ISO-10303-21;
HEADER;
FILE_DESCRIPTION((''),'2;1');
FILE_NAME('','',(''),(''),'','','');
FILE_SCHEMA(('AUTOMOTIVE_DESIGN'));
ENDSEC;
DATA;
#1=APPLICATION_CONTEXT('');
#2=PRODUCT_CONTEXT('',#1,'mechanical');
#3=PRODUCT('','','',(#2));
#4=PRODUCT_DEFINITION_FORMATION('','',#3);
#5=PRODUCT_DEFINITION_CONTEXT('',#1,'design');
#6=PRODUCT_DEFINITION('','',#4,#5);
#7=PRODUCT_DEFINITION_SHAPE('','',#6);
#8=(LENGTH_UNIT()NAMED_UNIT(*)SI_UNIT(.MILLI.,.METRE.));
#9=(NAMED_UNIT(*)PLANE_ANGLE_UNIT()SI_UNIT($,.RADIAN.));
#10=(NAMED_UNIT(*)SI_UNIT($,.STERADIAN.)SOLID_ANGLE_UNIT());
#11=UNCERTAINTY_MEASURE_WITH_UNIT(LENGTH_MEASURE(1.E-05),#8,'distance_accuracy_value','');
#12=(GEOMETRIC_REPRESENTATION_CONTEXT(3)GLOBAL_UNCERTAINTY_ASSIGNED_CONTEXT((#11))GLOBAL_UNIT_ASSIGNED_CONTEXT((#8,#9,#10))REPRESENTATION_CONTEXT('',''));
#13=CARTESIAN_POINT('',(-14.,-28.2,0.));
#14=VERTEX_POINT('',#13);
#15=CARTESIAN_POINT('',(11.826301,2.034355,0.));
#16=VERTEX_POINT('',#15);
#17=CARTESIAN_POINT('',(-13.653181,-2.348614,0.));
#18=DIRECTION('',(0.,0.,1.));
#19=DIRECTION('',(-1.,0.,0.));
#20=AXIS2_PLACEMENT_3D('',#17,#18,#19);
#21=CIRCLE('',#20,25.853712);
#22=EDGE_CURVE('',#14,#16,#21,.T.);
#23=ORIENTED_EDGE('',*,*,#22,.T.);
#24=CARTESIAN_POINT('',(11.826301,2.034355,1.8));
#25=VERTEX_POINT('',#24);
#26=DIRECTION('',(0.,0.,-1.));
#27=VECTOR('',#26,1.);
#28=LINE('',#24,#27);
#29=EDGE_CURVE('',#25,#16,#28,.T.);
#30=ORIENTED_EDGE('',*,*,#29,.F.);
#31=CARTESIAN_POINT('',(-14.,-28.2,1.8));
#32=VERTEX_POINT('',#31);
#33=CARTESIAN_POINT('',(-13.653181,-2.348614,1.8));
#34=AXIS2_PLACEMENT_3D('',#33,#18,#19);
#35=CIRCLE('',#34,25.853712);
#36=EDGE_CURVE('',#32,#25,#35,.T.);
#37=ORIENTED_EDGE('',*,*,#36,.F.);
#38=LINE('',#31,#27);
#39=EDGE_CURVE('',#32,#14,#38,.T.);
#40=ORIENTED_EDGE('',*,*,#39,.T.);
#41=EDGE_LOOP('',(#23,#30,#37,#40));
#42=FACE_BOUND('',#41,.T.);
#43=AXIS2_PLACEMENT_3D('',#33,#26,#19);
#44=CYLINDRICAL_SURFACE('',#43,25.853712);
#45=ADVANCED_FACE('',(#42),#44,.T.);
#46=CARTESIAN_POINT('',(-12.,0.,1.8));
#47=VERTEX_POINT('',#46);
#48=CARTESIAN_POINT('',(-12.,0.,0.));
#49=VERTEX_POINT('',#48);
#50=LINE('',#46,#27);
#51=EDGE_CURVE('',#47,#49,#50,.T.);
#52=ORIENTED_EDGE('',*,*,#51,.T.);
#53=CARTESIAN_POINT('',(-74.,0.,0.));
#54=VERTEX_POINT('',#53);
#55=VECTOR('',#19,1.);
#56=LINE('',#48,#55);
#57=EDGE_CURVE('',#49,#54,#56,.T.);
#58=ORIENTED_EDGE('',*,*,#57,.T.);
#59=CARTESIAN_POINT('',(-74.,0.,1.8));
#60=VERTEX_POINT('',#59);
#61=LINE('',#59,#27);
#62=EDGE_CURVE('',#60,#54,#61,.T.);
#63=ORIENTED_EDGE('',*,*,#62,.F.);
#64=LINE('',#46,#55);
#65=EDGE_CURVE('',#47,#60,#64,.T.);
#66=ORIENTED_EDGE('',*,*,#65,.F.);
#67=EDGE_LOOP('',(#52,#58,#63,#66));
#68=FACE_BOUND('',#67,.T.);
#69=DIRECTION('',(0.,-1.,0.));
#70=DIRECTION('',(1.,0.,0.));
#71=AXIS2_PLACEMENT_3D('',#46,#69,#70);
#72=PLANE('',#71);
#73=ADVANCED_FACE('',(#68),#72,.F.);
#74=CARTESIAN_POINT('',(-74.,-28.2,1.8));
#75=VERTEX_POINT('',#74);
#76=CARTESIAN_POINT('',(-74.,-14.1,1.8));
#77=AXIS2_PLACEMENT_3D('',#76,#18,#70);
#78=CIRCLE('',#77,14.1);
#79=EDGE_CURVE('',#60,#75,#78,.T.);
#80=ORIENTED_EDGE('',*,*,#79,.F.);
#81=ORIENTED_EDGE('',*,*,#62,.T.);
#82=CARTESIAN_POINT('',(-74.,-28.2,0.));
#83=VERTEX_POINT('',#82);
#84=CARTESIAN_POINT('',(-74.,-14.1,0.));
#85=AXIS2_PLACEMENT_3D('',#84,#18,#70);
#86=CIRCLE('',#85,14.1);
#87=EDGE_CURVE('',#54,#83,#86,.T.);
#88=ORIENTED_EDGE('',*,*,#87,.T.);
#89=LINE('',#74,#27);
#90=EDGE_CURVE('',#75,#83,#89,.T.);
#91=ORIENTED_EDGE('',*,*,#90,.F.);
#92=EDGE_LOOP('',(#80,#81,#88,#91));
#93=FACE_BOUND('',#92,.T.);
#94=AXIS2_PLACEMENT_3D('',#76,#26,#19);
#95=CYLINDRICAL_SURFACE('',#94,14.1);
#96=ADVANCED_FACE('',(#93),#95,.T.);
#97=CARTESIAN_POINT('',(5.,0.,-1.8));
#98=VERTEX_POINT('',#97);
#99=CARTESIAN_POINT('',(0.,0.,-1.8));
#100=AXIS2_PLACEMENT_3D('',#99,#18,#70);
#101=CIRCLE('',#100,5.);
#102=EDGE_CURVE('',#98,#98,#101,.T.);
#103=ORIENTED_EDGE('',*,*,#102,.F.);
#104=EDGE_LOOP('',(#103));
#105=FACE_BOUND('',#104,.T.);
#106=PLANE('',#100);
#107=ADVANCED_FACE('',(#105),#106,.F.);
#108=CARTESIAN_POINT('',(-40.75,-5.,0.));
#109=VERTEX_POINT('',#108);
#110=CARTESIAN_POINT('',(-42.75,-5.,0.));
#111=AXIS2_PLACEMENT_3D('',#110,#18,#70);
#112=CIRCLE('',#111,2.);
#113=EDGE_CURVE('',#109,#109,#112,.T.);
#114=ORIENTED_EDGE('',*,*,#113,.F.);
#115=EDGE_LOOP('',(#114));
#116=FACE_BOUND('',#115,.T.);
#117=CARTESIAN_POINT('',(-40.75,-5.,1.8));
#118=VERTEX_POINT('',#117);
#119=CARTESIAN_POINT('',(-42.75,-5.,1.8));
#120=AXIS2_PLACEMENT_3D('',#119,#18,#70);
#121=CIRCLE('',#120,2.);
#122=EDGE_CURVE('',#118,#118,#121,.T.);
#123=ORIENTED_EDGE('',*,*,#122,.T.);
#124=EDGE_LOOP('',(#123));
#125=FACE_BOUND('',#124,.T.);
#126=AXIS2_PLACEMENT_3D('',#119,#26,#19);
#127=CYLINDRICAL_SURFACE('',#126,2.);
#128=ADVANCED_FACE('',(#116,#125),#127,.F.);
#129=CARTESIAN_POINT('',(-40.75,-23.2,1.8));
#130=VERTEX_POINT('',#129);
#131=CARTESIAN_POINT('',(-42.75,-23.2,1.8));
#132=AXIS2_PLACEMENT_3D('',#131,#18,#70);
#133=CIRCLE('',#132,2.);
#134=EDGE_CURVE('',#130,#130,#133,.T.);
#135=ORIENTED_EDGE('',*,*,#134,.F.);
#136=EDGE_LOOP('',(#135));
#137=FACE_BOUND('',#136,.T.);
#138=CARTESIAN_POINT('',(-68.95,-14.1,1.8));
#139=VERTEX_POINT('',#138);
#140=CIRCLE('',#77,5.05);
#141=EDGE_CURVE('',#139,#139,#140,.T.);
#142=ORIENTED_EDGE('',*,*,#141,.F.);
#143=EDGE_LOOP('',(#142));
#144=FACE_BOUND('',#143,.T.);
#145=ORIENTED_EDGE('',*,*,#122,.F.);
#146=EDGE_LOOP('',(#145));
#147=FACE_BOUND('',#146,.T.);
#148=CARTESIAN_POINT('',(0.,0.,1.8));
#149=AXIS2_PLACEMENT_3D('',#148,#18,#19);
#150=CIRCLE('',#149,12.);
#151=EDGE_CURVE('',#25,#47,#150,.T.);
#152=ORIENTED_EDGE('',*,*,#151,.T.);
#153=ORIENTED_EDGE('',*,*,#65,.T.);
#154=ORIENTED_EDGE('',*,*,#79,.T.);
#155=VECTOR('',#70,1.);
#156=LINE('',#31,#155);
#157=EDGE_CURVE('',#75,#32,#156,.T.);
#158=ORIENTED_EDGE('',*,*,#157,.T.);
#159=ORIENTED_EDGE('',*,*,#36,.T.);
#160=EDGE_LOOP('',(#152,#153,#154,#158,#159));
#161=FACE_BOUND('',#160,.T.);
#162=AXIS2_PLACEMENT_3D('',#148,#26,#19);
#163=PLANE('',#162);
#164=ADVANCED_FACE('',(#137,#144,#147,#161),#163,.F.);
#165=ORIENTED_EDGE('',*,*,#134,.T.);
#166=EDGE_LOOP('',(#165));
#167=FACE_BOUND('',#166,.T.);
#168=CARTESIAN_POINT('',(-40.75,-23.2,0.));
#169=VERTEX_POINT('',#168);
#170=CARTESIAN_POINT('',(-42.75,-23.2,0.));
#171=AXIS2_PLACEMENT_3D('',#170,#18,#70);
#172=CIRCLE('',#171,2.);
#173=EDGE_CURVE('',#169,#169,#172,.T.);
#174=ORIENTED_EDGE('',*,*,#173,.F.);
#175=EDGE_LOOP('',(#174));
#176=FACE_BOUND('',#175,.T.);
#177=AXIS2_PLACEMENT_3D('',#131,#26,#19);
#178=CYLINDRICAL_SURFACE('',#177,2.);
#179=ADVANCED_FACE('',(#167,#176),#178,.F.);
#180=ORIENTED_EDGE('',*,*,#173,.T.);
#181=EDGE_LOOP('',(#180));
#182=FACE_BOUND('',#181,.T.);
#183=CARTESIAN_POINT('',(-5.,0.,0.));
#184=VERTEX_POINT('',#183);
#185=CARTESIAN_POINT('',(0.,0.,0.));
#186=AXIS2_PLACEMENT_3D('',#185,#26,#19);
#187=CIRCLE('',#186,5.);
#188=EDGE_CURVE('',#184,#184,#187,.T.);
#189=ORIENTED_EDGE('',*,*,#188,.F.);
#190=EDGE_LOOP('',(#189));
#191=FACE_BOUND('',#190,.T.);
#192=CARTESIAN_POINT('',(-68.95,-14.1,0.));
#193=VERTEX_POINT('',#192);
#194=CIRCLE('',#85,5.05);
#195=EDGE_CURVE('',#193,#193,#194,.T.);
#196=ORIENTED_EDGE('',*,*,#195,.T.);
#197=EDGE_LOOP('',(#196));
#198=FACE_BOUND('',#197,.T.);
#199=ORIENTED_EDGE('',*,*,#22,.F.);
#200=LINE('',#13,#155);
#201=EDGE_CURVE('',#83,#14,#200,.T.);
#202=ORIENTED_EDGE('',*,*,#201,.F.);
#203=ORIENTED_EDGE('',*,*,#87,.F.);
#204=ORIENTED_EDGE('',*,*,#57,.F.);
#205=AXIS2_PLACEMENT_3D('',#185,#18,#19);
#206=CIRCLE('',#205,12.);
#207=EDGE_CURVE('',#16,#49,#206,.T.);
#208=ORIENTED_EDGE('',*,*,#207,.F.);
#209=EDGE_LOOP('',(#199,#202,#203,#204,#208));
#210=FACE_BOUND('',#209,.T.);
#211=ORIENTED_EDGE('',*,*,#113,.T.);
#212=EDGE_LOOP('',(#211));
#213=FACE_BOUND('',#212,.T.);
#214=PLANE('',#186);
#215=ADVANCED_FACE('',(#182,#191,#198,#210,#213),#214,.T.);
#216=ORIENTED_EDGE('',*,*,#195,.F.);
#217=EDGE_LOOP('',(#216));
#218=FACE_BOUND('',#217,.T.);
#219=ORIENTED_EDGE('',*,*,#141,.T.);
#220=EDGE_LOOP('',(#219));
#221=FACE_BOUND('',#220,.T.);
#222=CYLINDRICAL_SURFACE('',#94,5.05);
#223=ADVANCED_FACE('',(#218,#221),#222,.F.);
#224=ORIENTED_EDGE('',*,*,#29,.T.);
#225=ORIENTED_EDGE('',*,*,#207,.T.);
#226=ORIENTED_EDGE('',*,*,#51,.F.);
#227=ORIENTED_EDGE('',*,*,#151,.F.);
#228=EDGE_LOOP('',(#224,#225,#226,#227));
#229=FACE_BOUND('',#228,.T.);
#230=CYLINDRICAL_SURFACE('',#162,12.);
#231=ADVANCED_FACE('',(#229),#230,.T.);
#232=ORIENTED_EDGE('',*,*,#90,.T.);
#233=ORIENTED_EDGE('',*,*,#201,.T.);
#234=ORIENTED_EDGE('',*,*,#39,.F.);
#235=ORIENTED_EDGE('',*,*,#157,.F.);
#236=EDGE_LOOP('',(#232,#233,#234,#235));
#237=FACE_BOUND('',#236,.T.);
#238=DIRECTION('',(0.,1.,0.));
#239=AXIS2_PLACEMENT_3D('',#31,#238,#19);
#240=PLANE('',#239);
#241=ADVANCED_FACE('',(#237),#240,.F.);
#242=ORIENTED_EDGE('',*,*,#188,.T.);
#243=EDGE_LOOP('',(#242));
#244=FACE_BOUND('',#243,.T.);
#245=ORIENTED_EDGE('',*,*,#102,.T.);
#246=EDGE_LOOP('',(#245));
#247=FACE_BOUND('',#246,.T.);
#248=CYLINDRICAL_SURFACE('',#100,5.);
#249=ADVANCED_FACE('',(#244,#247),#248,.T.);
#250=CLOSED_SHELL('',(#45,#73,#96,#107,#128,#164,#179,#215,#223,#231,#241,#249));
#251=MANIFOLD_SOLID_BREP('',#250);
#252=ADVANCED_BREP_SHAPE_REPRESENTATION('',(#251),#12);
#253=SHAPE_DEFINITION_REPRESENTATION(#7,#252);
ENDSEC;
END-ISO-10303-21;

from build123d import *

# Parameters (mm, degrees)
ESBO_O1_R                = 5.05
ESBO_O1_R_2              = 2
RESSALTO_EXTRUS_O1_DEPTH = 1.8
ESBO_O2_R                = 5
RESSALTO_EXTRUS_O2_DEPTH = 1.8


with BuildPart() as part:
    # Esboço1 → Ressalto-extrusão1 (new body)
    with BuildSketch(Plane.XY):
        with BuildLine():
            Line((-12, 0), (-74, 0))
            ThreePointArc((-74, 0), (-88.1, -14.1), (-74, -28.2))
            Line((-74, -28.2), (-14, -28.2))
            ThreePointArc((-14, -28.2), (6.004940765, -19.140656488), (11.826301138, 2.034355278))
            ThreePointArc((11.826301138, 2.034355278), (-1.020878628, 11.956496428), (-12, 0))
        make_face()
        with Locations((-74, -14.1)):
            Circle(ESBO_O1_R, mode=Mode.SUBTRACT)
        with Locations((-42.75, -5)):
            Circle(ESBO_O1_R_2, mode=Mode.SUBTRACT)
        with Locations((-42.75, -23.2)):
            Circle(ESBO_O1_R_2, mode=Mode.SUBTRACT)
    extrude(amount=RESSALTO_EXTRUS_O1_DEPTH)

    # Esboço2 → Ressalto-extrusão2 (add)
    with BuildSketch(Plane.XY):
        Circle(ESBO_O2_R)
    extrude(amount=-RESSALTO_EXTRUS_O2_DEPTH)


solid = part.part
